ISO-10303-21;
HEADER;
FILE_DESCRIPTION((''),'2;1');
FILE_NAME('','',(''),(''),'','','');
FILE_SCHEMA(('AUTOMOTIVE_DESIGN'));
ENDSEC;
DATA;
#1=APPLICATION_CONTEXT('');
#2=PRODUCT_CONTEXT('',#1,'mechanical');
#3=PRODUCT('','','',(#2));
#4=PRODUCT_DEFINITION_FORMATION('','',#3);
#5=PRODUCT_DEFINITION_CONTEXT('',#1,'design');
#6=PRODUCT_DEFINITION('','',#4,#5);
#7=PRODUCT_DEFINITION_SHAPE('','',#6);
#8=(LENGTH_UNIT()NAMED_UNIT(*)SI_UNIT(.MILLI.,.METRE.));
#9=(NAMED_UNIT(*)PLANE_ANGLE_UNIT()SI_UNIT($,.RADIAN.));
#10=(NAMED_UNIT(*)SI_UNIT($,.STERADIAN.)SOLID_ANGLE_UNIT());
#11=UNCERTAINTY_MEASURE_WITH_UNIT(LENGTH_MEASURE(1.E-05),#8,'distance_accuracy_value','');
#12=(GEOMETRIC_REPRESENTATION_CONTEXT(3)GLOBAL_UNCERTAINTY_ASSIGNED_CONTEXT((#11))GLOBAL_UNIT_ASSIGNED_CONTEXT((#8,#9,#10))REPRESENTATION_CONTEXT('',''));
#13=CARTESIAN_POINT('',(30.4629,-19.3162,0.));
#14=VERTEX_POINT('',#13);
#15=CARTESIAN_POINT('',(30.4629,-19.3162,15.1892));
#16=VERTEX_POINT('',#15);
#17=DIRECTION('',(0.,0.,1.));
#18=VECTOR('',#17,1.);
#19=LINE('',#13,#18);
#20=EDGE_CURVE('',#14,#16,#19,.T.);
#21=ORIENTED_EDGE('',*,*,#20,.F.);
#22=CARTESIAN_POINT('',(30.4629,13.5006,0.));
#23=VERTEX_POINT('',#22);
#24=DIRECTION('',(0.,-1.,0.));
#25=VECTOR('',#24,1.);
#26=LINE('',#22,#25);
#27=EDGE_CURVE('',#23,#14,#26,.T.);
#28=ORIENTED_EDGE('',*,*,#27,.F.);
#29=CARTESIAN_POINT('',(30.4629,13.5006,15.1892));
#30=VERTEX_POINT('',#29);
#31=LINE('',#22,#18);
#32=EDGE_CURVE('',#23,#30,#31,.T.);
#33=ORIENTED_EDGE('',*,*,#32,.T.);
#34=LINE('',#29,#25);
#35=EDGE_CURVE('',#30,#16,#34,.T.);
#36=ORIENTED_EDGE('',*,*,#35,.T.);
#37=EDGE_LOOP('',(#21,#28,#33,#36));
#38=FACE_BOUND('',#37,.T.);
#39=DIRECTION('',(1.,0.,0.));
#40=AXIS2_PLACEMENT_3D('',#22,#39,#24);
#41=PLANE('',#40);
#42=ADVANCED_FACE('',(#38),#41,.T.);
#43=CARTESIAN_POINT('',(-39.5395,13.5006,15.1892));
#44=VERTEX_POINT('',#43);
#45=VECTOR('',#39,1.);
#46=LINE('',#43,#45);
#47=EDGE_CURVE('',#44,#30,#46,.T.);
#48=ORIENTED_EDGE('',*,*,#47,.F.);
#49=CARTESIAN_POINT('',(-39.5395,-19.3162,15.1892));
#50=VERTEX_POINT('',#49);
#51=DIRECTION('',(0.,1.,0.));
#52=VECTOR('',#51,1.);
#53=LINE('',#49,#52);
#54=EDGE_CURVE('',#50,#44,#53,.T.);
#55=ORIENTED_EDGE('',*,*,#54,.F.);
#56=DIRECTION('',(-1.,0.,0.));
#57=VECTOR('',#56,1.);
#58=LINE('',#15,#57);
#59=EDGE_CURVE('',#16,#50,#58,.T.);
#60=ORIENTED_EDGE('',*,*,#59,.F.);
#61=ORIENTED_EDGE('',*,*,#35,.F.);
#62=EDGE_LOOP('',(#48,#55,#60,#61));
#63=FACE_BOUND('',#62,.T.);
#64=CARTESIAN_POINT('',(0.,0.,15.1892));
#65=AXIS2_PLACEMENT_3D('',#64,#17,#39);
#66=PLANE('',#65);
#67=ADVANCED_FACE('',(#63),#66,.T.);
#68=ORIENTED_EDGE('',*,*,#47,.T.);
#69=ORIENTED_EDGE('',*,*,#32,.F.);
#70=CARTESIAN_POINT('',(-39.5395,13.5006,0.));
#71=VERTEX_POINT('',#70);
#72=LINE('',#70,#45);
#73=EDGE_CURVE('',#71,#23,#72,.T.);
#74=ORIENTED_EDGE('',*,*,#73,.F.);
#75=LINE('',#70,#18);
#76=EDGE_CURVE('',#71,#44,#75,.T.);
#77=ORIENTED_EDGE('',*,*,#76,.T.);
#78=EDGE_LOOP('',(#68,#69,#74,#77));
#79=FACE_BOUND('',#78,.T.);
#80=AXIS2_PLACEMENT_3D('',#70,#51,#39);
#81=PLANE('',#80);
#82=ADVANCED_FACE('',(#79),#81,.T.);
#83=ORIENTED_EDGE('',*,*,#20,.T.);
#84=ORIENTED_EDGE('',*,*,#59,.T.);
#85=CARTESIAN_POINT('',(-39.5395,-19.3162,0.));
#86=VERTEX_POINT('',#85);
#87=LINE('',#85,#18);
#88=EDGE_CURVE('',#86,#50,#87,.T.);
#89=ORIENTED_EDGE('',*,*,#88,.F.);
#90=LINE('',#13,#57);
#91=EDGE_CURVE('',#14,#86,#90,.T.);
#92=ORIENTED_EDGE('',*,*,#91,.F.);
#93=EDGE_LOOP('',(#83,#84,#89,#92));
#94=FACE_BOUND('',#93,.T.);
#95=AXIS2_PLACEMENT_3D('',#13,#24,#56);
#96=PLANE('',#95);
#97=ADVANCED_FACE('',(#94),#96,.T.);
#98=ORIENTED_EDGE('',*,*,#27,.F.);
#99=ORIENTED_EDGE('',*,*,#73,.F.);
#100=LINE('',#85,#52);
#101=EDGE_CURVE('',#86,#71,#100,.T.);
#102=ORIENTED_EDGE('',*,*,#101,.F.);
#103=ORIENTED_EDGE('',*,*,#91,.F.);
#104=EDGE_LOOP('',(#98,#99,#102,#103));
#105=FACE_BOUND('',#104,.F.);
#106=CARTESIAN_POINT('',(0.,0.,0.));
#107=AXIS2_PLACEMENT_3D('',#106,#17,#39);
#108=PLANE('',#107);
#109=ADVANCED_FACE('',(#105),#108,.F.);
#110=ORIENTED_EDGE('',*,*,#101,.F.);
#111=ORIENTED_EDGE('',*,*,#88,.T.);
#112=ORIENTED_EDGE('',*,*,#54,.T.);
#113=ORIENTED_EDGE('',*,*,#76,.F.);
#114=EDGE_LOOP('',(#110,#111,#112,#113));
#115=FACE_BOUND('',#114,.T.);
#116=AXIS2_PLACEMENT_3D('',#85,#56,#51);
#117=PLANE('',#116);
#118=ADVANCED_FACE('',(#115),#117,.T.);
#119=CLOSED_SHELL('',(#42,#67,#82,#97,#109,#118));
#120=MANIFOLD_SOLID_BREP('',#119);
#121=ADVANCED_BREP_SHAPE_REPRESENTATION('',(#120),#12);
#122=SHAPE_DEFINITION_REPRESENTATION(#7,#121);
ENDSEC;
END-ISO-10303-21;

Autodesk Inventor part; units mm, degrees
ref_plane "YZ Plane" through (0, 0, 0) normal (1, 0, 0) x (0, 1, 0)
ref_plane "XZ Plane" through (0, 0, 0) normal (0, 1, 0) x (-1, 0, 0)
ref_plane "XY Plane" through (0, 0, 0) normal (0, 0, 1) x (1, 0, 0)
sketch "Sketch1" plane through (0, 0, 0) normal (0, 0, 1) x (1, 0, 0)
  line L0 (-39.5395, 13.5006) -> (30.4629, 13.5006)
  line L1 (30.4629, 13.5006) -> (30.4629, -19.3162)
  line L2 (30.4629, -19.3162) -> (-39.5395, -19.3162)
  line L3 (-39.5395, -19.3162) -> (-39.5395, 13.5006)
  point P0 (0, 0)
  dimension "d0" = 32.8168
  dimension "d1" = 70.0024
extrude "Extrusion1" add sketch "Sketch1" along normal blind 15.1892
properties part number "mcdave battery"
